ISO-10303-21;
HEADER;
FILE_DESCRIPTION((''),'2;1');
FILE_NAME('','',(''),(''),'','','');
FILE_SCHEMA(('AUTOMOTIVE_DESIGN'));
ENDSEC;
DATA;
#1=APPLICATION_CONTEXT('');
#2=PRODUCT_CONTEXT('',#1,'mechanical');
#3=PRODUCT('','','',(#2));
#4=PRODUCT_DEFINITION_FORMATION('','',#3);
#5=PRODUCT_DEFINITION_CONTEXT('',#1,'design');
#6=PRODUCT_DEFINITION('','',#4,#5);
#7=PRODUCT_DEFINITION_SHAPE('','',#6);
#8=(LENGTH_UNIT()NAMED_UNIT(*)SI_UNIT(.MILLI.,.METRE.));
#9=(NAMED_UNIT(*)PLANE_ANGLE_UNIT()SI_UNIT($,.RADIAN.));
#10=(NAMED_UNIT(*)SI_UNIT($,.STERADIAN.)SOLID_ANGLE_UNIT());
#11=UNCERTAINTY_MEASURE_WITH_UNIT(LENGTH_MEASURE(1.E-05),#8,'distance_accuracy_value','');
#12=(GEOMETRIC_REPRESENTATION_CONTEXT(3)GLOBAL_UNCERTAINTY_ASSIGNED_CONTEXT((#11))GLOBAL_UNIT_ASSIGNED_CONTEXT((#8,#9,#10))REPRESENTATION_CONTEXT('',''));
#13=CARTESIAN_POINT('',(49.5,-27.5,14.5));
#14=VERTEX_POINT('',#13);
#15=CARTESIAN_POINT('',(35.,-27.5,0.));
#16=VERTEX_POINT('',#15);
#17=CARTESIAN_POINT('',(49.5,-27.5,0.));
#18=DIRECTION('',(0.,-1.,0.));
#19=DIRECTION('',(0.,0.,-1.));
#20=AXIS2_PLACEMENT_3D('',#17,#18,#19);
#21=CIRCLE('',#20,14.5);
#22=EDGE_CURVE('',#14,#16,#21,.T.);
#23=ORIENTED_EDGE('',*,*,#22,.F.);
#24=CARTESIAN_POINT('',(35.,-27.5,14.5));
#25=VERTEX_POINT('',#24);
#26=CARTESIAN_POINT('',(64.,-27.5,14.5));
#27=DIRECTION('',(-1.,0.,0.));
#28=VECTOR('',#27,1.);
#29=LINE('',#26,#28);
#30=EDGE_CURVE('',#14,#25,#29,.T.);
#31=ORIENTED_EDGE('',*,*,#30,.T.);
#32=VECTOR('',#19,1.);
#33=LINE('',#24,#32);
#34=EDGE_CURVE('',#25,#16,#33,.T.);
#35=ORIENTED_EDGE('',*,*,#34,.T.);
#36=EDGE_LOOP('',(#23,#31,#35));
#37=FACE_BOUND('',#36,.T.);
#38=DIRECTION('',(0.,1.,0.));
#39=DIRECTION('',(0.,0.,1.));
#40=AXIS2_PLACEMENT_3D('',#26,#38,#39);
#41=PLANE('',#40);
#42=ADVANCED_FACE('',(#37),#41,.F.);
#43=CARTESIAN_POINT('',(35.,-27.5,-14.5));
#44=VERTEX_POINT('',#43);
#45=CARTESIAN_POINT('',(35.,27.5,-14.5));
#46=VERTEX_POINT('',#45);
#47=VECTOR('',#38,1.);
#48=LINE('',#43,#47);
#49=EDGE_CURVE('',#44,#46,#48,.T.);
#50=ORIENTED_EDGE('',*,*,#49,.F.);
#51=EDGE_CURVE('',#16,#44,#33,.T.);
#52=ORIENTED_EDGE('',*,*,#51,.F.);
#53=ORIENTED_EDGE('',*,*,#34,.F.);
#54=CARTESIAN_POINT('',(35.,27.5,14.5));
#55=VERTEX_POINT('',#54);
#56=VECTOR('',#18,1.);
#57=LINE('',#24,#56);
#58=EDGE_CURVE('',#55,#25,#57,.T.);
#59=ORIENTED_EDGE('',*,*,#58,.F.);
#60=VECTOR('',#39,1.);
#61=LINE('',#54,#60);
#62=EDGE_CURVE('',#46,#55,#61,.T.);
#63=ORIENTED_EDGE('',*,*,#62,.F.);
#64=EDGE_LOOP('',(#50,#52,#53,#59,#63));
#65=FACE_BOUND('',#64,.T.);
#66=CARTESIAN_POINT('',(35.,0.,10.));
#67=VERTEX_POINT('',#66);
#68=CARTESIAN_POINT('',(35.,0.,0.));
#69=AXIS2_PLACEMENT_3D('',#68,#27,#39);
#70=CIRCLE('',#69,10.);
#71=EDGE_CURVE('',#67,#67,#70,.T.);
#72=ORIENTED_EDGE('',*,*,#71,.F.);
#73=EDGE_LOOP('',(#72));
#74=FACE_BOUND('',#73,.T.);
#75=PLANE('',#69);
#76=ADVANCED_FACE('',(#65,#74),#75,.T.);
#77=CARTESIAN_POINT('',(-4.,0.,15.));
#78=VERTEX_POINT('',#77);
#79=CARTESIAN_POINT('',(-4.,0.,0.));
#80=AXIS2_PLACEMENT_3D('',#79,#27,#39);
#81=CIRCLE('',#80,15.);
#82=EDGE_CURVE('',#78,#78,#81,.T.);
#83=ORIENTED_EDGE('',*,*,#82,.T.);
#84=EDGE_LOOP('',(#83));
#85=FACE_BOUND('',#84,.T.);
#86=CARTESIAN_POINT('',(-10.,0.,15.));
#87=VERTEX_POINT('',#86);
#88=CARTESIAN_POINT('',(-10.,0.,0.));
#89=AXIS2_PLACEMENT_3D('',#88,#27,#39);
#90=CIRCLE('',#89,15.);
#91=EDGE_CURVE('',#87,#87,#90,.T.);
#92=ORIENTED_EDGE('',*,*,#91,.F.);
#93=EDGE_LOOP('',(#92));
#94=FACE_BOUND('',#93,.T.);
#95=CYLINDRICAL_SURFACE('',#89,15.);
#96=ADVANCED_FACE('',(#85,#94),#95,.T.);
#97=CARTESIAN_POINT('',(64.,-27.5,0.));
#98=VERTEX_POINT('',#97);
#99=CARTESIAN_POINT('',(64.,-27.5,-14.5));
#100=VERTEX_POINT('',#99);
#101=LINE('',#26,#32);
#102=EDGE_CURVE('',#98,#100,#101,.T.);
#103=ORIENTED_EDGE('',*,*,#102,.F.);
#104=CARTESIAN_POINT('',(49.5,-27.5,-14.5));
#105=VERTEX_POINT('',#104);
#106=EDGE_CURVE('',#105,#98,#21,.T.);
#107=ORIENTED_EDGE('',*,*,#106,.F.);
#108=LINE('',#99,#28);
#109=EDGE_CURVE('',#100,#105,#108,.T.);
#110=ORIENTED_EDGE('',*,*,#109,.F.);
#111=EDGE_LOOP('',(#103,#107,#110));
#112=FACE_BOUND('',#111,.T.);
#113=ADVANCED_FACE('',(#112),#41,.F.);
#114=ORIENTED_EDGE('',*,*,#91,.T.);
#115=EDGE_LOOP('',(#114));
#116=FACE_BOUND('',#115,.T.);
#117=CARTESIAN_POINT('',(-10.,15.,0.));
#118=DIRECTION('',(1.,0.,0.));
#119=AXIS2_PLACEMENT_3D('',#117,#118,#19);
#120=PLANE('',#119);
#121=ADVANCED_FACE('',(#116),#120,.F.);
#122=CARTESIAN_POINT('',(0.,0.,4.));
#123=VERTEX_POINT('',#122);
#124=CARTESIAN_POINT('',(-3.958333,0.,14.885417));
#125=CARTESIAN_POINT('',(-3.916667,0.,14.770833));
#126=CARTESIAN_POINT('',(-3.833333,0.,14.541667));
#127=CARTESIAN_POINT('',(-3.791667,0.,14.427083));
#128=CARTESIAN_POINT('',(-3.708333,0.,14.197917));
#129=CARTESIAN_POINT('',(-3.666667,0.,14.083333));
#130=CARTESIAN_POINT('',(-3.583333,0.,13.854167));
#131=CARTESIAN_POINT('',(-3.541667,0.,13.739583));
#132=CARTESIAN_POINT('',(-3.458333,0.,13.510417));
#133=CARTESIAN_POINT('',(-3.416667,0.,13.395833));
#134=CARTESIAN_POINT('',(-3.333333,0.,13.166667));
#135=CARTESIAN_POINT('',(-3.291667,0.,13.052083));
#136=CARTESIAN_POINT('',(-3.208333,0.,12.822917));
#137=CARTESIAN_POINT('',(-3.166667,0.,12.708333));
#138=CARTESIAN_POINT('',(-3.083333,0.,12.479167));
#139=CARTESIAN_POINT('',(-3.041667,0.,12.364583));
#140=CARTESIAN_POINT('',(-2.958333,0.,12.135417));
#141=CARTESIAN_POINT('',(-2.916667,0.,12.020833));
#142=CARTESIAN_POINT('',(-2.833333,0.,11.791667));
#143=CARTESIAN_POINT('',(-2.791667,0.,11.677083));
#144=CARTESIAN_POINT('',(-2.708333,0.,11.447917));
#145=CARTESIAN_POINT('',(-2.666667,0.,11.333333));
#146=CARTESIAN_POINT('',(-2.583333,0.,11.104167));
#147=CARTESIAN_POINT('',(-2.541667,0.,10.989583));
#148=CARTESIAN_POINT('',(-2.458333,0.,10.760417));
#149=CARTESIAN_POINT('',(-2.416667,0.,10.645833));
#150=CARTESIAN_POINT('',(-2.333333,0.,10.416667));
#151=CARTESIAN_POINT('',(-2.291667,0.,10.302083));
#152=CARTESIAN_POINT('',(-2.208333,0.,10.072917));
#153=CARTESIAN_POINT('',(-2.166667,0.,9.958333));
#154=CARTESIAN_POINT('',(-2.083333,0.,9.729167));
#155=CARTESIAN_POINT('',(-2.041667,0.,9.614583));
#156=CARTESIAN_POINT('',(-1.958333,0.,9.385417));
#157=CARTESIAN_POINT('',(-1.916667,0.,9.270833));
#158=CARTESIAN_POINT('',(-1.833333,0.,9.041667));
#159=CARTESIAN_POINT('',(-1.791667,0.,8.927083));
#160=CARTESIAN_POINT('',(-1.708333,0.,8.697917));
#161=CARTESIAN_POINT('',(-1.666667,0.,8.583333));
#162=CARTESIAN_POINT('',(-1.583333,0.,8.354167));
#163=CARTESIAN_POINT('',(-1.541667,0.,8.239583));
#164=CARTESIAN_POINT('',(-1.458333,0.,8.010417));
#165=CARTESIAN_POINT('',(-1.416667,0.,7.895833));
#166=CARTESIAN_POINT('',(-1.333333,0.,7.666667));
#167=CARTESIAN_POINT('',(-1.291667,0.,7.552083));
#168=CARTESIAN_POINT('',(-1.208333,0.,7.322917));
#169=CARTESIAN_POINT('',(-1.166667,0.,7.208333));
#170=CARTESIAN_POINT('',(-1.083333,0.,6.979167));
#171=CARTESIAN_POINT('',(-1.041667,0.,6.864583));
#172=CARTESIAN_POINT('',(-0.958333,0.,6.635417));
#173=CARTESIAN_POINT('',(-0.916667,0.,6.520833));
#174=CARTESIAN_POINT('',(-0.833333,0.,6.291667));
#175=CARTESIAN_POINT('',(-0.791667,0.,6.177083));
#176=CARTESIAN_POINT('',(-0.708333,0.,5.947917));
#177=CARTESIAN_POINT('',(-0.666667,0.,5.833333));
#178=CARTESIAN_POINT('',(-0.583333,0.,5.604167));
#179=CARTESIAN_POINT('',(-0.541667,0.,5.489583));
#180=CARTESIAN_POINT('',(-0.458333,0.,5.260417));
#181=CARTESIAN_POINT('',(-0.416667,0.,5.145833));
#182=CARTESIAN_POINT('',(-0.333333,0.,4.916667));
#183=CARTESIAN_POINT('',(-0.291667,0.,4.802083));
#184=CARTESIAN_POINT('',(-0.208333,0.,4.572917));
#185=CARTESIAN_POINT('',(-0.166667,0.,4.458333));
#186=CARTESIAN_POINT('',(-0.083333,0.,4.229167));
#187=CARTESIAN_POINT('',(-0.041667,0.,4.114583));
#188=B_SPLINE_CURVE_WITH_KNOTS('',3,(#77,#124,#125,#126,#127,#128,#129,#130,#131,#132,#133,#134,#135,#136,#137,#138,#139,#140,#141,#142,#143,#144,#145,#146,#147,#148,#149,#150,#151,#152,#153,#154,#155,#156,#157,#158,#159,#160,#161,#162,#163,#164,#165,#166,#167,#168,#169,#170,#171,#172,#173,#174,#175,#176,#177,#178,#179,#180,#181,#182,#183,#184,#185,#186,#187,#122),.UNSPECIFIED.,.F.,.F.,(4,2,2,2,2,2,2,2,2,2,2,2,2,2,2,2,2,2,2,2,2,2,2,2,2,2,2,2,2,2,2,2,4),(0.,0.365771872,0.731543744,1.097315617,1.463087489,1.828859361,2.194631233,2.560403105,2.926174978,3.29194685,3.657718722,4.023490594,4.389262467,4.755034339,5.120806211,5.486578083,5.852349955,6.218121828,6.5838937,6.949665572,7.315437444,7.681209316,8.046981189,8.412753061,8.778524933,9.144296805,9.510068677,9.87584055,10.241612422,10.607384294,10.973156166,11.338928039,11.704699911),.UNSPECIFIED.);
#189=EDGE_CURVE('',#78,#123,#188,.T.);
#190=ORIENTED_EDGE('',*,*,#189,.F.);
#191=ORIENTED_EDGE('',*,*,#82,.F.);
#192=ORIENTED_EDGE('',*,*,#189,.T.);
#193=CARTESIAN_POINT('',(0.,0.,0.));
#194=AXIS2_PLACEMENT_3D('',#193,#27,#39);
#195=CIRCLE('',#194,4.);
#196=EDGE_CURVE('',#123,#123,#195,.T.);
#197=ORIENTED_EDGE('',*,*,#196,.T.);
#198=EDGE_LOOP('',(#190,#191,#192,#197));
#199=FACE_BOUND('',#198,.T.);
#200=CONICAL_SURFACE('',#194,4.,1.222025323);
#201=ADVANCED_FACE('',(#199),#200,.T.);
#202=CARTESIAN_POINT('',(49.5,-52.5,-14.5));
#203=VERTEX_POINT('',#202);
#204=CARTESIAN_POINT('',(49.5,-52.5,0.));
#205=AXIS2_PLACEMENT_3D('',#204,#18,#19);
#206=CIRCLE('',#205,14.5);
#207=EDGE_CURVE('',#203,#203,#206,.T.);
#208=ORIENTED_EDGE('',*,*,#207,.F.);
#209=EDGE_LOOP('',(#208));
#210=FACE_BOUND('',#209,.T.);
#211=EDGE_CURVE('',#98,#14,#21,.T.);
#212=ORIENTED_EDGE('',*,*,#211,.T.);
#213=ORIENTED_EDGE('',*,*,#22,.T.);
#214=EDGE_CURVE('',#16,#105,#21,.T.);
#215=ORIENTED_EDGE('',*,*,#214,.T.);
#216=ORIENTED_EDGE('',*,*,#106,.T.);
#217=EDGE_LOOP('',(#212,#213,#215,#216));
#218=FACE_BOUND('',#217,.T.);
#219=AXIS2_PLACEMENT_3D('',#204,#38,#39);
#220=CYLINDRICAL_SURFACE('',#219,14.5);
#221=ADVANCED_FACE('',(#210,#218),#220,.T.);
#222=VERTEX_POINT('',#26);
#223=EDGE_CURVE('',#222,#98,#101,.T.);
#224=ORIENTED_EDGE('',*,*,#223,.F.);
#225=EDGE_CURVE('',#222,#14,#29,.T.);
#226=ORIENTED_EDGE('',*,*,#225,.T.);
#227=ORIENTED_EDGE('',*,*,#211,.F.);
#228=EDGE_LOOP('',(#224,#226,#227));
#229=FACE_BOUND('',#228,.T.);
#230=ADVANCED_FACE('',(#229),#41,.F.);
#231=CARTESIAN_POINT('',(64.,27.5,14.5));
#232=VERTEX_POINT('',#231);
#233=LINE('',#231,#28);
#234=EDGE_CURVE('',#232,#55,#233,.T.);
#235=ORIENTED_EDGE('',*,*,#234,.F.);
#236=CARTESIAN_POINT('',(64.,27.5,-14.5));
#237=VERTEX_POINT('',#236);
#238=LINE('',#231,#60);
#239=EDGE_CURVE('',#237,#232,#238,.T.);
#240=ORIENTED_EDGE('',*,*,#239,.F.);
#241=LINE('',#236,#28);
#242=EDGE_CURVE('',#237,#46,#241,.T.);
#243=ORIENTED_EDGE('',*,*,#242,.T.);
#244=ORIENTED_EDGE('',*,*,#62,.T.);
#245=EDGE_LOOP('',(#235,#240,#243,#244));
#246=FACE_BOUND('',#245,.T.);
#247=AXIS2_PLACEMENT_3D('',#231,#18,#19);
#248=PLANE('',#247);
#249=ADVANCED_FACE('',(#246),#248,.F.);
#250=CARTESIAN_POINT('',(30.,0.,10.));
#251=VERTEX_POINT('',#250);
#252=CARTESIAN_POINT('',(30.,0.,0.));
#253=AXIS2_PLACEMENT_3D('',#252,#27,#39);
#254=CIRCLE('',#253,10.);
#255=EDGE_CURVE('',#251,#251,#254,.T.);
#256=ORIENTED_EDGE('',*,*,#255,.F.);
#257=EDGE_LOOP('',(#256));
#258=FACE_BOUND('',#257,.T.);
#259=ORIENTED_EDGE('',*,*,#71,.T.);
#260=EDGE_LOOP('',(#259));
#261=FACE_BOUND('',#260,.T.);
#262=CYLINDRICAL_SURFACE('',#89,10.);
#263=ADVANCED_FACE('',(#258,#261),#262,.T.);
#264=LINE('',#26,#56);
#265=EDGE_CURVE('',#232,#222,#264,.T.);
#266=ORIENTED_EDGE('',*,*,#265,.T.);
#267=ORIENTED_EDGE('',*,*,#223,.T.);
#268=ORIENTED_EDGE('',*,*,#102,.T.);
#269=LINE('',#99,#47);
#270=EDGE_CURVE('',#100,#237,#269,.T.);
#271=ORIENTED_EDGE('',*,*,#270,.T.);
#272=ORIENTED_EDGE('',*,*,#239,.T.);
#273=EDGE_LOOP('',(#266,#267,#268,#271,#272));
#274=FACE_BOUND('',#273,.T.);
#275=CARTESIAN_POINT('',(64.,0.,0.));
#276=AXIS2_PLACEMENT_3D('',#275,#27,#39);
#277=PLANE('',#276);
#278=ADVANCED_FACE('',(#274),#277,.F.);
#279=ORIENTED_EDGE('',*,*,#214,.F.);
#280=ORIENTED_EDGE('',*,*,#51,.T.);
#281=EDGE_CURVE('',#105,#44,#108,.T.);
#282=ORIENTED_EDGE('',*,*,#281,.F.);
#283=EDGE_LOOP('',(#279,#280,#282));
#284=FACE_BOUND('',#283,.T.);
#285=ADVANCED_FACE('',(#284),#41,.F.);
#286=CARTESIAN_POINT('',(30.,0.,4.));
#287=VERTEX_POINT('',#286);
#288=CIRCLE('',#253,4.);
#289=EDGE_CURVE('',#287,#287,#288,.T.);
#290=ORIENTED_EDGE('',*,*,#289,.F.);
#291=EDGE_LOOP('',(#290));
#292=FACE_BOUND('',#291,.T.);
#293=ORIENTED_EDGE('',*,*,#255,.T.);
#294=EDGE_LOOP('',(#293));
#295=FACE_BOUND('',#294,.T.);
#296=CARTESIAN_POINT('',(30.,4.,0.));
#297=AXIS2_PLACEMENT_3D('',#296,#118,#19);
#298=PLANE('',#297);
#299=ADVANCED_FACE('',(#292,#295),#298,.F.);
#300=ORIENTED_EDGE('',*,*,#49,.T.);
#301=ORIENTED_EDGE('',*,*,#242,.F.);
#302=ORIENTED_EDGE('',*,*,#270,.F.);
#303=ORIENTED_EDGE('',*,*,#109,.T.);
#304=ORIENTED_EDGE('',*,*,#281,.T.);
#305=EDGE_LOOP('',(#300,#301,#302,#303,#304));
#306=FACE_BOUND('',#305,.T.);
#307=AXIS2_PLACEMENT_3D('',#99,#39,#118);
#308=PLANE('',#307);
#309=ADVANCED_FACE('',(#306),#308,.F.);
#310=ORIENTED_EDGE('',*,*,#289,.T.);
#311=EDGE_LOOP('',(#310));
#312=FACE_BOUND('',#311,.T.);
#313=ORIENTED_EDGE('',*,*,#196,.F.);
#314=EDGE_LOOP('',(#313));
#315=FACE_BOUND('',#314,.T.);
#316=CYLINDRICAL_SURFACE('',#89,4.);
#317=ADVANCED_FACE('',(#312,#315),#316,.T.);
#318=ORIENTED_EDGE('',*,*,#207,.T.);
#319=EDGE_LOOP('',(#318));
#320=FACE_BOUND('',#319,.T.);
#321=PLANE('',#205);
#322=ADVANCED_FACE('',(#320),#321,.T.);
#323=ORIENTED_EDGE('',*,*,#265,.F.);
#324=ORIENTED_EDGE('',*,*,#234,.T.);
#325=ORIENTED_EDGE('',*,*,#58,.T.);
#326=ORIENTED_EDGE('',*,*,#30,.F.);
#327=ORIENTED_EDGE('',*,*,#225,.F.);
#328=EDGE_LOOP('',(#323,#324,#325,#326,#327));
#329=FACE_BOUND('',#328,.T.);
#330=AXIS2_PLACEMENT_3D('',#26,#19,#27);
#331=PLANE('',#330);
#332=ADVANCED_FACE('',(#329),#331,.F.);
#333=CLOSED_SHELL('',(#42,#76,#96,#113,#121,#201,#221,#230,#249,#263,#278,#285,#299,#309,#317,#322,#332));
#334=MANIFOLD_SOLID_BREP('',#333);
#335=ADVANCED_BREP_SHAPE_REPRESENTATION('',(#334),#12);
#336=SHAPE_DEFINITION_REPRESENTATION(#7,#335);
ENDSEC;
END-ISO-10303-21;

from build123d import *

# Parameters (mm, degrees)
SKETCH_2_W      = 29
SKETCH_2_H      = 55
EXTRUDE_1_DEPTH = 29
SKETCH_3_R      = 14.5
EXTRUDE_2_DEPTH = 25


with BuildPart() as part:
    # 草图1 → 旋转3 (revolve)
    with BuildSketch(Plane.XY, mode=Mode.PRIVATE) as revolve_3_sk:
        Polygon((-10, 15), (-10, 0), (35, 0), (35, 10), (30, 10), (30, 4), (0, 4), (-4, 15), align=None)
    revolve(revolve_3_sk.sketch.rotate(Axis((-10, 0, 0), (1, 0, 0)), 90), axis=Axis((-10, 0, 0), (1, 0, 0)))

    # 草图2 → 凸台-拉伸1 (add)
    with BuildSketch(Plane(origin=(35, 0, 0), x_dir=(0, 0, -1), z_dir=(1, 0, 0))):
        Rectangle(SKETCH_2_W, SKETCH_2_H)
    extrude(amount=EXTRUDE_1_DEPTH)

    # 草图3 → 凸台-拉伸2 (add)
    with BuildSketch(Plane.XZ.offset(27.5)):
        with Locations(Location((49.5, 0, 0), (0, 0, 270))):
            Circle(SKETCH_3_R)
    extrude(amount=EXTRUDE_2_DEPTH)


solid = part.part
